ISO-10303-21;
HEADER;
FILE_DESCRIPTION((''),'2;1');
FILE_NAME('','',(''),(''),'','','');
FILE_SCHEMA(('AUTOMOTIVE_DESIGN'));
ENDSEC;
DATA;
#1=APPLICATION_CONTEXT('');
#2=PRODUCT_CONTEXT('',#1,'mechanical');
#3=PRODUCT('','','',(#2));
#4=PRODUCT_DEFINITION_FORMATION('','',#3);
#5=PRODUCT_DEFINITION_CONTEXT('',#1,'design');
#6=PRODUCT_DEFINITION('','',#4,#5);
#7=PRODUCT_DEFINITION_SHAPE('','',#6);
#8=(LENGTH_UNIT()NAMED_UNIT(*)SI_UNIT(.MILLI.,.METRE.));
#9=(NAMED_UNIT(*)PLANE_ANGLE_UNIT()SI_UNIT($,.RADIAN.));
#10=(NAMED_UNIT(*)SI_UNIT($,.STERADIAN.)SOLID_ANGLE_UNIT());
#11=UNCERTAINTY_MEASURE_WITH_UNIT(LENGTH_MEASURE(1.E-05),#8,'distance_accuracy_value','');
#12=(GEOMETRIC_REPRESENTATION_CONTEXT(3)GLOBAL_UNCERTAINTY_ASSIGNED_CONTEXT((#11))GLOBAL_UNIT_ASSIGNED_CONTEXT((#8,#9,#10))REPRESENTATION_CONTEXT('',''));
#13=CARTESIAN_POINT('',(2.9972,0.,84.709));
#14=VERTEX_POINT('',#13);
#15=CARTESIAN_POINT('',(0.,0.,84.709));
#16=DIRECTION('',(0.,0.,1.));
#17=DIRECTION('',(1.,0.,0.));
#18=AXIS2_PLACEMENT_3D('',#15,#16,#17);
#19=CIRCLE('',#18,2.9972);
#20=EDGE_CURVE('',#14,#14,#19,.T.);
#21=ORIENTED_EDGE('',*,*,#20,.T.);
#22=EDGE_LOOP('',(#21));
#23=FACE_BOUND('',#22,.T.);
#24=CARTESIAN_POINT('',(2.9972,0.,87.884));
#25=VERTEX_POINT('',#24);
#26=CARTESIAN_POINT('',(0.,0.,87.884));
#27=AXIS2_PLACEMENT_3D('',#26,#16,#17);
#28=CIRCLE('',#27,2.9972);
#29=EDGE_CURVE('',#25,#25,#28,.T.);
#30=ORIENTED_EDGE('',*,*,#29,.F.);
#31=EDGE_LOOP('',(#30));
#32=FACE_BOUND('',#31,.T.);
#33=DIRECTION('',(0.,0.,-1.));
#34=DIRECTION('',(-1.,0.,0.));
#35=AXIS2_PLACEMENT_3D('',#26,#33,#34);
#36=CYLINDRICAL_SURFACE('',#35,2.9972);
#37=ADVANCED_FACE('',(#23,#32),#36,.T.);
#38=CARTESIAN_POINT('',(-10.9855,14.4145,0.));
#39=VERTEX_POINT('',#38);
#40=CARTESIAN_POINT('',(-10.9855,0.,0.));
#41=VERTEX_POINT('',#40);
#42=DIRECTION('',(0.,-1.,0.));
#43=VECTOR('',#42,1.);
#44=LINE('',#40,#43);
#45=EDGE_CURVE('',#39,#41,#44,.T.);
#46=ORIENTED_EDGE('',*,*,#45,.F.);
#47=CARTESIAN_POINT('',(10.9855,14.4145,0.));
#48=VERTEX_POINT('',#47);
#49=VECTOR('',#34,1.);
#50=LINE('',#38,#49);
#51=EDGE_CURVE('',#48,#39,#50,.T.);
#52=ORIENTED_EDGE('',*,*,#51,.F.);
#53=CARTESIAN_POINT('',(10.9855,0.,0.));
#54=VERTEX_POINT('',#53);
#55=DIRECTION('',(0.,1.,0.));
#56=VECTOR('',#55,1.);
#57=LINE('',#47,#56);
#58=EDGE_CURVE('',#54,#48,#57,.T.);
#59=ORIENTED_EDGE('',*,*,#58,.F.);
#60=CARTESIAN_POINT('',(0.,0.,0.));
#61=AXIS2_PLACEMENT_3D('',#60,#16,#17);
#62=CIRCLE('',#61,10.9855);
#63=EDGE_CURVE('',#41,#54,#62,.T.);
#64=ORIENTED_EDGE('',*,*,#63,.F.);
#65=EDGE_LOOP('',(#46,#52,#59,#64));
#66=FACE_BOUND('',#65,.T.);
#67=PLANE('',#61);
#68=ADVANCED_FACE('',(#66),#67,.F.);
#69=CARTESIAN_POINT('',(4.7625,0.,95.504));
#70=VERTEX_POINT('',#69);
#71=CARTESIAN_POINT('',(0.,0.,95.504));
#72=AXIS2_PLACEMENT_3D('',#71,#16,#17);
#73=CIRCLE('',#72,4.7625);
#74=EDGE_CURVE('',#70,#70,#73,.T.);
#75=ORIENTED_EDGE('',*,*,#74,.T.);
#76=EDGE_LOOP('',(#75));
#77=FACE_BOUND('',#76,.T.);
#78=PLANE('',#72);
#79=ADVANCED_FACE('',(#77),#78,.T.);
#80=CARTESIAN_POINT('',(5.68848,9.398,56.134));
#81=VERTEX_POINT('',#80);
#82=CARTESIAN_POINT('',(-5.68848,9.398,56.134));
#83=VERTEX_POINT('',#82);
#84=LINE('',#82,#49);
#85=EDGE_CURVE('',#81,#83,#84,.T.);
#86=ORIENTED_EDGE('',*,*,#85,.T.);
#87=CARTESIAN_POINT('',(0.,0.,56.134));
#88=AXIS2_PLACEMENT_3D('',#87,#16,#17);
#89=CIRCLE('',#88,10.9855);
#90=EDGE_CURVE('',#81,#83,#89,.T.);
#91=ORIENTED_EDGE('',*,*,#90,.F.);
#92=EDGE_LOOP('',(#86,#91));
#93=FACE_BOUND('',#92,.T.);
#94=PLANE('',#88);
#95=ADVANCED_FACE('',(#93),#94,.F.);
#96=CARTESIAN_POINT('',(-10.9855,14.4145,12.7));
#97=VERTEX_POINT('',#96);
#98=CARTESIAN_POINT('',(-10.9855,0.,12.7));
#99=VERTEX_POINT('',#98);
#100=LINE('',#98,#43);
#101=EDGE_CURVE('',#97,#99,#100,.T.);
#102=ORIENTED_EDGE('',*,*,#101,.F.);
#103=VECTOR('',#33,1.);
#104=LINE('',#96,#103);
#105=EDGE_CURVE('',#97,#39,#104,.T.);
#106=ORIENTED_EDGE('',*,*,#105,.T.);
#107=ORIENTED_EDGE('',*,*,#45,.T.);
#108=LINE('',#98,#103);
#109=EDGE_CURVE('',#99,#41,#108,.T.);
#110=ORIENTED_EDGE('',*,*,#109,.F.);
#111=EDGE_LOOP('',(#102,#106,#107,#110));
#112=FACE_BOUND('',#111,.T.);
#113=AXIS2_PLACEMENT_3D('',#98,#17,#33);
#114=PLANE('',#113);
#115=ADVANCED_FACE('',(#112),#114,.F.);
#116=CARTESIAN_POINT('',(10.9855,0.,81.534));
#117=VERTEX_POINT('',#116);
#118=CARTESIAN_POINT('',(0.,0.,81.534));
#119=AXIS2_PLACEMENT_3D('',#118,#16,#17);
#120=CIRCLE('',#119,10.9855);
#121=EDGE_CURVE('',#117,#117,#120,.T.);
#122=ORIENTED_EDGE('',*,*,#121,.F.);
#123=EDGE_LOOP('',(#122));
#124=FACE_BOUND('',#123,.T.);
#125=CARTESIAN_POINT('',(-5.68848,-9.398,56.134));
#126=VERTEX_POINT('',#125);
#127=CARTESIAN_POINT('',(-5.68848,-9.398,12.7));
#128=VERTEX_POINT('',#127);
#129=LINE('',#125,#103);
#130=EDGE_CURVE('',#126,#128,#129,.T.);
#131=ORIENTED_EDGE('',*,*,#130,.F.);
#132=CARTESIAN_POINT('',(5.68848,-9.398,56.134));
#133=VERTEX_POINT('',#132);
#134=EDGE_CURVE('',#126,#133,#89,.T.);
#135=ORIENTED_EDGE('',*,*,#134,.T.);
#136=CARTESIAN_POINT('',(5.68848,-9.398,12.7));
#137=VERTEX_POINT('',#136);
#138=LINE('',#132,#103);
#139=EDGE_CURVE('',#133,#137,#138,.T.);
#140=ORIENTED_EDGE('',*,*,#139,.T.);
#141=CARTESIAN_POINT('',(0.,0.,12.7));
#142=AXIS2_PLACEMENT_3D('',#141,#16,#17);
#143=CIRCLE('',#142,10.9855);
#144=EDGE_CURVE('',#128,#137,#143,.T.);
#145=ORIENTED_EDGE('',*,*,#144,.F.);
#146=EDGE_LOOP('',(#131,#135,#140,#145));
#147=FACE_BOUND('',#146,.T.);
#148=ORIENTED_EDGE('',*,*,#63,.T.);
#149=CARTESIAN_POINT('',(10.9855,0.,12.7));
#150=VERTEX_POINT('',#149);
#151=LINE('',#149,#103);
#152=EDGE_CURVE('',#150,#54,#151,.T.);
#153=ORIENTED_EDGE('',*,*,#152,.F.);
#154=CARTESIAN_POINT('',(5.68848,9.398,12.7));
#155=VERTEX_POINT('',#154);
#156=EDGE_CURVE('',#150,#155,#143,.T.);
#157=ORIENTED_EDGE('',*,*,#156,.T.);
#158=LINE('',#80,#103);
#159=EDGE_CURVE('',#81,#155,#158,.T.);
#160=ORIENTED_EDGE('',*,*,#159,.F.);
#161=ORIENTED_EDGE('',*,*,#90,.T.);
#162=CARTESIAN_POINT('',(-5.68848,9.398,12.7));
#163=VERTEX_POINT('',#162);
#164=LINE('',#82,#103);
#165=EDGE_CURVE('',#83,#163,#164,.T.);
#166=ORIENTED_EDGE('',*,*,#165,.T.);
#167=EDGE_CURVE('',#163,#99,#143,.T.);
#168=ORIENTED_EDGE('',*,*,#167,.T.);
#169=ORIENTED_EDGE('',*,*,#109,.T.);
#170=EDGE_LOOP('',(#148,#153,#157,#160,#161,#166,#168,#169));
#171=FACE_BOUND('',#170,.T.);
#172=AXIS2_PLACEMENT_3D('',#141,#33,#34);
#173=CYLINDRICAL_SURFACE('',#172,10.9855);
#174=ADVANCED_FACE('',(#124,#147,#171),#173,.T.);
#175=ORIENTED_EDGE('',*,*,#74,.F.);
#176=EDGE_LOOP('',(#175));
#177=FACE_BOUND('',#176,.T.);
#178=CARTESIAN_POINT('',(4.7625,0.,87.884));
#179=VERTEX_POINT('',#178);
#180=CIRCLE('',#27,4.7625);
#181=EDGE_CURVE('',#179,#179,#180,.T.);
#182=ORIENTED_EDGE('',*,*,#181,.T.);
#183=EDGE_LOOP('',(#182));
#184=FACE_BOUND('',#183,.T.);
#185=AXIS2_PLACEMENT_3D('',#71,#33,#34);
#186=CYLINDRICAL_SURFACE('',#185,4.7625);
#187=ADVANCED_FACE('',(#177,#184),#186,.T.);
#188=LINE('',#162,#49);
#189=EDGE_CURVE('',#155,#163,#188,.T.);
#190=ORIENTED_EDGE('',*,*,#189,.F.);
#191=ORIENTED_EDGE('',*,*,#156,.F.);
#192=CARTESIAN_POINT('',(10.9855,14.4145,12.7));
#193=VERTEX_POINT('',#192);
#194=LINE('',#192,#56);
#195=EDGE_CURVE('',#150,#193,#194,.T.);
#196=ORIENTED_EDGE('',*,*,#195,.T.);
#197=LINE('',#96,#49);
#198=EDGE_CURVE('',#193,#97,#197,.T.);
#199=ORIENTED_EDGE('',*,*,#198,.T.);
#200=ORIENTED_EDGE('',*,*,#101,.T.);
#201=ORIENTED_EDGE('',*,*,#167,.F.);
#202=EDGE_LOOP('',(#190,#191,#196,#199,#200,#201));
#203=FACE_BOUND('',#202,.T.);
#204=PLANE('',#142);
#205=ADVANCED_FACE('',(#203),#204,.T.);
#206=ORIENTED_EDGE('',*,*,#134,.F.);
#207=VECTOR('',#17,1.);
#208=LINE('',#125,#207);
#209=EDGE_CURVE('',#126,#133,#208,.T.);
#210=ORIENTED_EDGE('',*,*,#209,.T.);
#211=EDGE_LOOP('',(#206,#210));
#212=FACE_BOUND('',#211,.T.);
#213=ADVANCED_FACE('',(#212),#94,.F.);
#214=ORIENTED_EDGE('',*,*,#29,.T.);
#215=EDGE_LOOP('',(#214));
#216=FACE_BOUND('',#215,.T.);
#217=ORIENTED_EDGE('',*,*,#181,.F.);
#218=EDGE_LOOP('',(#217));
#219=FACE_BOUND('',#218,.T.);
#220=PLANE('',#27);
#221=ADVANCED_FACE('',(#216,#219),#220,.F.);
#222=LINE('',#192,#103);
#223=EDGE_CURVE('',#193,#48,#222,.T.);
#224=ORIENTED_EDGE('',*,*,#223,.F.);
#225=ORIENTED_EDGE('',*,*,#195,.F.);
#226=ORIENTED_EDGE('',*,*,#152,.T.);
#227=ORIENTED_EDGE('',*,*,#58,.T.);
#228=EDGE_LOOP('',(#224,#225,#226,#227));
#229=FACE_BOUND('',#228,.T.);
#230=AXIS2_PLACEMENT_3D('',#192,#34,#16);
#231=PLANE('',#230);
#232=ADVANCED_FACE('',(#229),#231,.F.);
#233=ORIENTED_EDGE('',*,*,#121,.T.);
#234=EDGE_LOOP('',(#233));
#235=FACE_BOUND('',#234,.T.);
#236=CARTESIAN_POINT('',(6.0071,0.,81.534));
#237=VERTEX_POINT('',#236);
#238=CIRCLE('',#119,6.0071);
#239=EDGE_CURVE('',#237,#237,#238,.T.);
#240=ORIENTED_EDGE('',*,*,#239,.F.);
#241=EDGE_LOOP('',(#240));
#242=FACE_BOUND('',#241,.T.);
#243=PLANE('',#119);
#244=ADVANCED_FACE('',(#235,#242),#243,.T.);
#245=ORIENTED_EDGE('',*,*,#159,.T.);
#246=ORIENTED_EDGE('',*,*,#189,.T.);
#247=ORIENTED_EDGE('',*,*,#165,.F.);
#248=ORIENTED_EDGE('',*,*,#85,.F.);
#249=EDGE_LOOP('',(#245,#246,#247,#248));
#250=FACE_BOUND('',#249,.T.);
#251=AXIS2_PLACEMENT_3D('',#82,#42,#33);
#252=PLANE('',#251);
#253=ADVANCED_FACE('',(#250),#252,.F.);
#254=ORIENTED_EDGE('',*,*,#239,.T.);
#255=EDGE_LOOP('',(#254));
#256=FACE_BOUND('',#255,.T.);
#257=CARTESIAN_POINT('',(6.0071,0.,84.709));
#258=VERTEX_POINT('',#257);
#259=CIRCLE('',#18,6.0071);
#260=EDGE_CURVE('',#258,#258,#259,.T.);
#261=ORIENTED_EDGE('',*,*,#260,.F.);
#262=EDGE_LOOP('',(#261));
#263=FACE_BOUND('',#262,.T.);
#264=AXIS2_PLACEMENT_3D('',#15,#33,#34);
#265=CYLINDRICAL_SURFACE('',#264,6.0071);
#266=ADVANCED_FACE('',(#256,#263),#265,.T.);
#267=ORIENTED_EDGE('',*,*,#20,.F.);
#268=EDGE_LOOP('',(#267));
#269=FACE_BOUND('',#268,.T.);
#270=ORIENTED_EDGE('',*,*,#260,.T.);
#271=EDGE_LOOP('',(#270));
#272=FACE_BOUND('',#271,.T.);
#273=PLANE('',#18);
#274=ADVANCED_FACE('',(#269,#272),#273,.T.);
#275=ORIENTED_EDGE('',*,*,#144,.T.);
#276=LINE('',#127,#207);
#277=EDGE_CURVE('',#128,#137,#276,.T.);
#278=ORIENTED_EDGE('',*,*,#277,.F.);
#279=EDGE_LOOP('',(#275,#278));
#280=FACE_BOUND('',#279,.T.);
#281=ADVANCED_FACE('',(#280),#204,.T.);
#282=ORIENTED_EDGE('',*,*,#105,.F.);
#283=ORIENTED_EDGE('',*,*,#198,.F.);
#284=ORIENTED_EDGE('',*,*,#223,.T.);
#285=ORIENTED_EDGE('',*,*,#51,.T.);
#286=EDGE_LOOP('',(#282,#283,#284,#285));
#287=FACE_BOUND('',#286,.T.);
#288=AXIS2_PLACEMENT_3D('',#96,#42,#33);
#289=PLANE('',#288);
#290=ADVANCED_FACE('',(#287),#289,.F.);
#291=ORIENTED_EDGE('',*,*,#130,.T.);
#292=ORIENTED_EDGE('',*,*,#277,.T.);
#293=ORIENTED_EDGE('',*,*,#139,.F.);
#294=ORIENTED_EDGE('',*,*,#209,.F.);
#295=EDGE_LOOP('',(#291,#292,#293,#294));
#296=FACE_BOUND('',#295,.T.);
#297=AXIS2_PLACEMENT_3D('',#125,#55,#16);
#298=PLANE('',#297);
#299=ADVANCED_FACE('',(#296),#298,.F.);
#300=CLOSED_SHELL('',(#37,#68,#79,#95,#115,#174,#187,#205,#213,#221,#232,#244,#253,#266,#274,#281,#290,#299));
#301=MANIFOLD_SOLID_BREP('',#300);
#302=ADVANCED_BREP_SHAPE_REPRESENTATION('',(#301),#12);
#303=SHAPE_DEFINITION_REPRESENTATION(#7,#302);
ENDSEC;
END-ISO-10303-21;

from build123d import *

# Parameters (mm, degrees)
BOSS_EXTRUDE1_DEPTH = 12.7
BOSS_EXTRUDE2_DEPTH = 43.434
SKETCH3_R           = 10.9855
BOSS_EXTRUDE3_DEPTH = 25.4
SKETCH4_R           = 6.0071
BOSS_EXTRUDE4_DEPTH = 3.175
SKETCH5_R           = 2.9972
BOSS_EXTRUDE5_DEPTH = 3.175
SKETCH6_R           = 4.7625
BOSS_EXTRUDE6_DEPTH = 7.62


with BuildPart() as part:
    # Sketch1 → Boss-Extrude1 (new body)
    with BuildSketch(Plane.XY):
        with BuildLine():
            Line((-10.9855, 0), (-10.9855, 14.4145))
            Line((-10.9855, 14.4145), (10.9855, 14.4145))
            Line((10.9855, 14.4145), (10.9855, 0))
            ThreePointArc((10.9855, 0), (0, -10.9855), (-10.9855, 0))
        make_face()
    extrude(amount=BOSS_EXTRUDE1_DEPTH)

    # Sketch2 → Boss-Extrude2 (add)
    with BuildSketch(Plane.XY.offset(12.7)):
        with BuildLine():
            Line((-5.68848, 9.398), (5.68848, 9.398))
            ThreePointArc((5.68848, 9.398), (10.9855, 0), (5.68848, -9.398))
            Line((5.68848, -9.398), (-5.68848, -9.398))
            ThreePointArc((-5.68848, -9.398), (-10.9855, 0), (-5.68848, 9.398))
        make_face()
    extrude(amount=BOSS_EXTRUDE2_DEPTH)

    # Sketch3 → Boss-Extrude3 (add)
    with BuildSketch(Plane.XY.offset(56.134)):
        Circle(SKETCH3_R)
    extrude(amount=BOSS_EXTRUDE3_DEPTH)

    # Sketch4 → Boss-Extrude4 (add)
    with BuildSketch(Plane.XY.offset(81.534)):
        Circle(SKETCH4_R)
    extrude(amount=BOSS_EXTRUDE4_DEPTH)

    # Sketch5 → Boss-Extrude5 (add)
    with BuildSketch(Plane.XY.offset(84.709)):
        Circle(SKETCH5_R)
    extrude(amount=BOSS_EXTRUDE5_DEPTH)

    # Sketch6 → Boss-Extrude6 (add)
    with BuildSketch(Plane.XY.offset(87.884)):
        Circle(SKETCH6_R)
    extrude(amount=BOSS_EXTRUDE6_DEPTH)


solid = part.part
